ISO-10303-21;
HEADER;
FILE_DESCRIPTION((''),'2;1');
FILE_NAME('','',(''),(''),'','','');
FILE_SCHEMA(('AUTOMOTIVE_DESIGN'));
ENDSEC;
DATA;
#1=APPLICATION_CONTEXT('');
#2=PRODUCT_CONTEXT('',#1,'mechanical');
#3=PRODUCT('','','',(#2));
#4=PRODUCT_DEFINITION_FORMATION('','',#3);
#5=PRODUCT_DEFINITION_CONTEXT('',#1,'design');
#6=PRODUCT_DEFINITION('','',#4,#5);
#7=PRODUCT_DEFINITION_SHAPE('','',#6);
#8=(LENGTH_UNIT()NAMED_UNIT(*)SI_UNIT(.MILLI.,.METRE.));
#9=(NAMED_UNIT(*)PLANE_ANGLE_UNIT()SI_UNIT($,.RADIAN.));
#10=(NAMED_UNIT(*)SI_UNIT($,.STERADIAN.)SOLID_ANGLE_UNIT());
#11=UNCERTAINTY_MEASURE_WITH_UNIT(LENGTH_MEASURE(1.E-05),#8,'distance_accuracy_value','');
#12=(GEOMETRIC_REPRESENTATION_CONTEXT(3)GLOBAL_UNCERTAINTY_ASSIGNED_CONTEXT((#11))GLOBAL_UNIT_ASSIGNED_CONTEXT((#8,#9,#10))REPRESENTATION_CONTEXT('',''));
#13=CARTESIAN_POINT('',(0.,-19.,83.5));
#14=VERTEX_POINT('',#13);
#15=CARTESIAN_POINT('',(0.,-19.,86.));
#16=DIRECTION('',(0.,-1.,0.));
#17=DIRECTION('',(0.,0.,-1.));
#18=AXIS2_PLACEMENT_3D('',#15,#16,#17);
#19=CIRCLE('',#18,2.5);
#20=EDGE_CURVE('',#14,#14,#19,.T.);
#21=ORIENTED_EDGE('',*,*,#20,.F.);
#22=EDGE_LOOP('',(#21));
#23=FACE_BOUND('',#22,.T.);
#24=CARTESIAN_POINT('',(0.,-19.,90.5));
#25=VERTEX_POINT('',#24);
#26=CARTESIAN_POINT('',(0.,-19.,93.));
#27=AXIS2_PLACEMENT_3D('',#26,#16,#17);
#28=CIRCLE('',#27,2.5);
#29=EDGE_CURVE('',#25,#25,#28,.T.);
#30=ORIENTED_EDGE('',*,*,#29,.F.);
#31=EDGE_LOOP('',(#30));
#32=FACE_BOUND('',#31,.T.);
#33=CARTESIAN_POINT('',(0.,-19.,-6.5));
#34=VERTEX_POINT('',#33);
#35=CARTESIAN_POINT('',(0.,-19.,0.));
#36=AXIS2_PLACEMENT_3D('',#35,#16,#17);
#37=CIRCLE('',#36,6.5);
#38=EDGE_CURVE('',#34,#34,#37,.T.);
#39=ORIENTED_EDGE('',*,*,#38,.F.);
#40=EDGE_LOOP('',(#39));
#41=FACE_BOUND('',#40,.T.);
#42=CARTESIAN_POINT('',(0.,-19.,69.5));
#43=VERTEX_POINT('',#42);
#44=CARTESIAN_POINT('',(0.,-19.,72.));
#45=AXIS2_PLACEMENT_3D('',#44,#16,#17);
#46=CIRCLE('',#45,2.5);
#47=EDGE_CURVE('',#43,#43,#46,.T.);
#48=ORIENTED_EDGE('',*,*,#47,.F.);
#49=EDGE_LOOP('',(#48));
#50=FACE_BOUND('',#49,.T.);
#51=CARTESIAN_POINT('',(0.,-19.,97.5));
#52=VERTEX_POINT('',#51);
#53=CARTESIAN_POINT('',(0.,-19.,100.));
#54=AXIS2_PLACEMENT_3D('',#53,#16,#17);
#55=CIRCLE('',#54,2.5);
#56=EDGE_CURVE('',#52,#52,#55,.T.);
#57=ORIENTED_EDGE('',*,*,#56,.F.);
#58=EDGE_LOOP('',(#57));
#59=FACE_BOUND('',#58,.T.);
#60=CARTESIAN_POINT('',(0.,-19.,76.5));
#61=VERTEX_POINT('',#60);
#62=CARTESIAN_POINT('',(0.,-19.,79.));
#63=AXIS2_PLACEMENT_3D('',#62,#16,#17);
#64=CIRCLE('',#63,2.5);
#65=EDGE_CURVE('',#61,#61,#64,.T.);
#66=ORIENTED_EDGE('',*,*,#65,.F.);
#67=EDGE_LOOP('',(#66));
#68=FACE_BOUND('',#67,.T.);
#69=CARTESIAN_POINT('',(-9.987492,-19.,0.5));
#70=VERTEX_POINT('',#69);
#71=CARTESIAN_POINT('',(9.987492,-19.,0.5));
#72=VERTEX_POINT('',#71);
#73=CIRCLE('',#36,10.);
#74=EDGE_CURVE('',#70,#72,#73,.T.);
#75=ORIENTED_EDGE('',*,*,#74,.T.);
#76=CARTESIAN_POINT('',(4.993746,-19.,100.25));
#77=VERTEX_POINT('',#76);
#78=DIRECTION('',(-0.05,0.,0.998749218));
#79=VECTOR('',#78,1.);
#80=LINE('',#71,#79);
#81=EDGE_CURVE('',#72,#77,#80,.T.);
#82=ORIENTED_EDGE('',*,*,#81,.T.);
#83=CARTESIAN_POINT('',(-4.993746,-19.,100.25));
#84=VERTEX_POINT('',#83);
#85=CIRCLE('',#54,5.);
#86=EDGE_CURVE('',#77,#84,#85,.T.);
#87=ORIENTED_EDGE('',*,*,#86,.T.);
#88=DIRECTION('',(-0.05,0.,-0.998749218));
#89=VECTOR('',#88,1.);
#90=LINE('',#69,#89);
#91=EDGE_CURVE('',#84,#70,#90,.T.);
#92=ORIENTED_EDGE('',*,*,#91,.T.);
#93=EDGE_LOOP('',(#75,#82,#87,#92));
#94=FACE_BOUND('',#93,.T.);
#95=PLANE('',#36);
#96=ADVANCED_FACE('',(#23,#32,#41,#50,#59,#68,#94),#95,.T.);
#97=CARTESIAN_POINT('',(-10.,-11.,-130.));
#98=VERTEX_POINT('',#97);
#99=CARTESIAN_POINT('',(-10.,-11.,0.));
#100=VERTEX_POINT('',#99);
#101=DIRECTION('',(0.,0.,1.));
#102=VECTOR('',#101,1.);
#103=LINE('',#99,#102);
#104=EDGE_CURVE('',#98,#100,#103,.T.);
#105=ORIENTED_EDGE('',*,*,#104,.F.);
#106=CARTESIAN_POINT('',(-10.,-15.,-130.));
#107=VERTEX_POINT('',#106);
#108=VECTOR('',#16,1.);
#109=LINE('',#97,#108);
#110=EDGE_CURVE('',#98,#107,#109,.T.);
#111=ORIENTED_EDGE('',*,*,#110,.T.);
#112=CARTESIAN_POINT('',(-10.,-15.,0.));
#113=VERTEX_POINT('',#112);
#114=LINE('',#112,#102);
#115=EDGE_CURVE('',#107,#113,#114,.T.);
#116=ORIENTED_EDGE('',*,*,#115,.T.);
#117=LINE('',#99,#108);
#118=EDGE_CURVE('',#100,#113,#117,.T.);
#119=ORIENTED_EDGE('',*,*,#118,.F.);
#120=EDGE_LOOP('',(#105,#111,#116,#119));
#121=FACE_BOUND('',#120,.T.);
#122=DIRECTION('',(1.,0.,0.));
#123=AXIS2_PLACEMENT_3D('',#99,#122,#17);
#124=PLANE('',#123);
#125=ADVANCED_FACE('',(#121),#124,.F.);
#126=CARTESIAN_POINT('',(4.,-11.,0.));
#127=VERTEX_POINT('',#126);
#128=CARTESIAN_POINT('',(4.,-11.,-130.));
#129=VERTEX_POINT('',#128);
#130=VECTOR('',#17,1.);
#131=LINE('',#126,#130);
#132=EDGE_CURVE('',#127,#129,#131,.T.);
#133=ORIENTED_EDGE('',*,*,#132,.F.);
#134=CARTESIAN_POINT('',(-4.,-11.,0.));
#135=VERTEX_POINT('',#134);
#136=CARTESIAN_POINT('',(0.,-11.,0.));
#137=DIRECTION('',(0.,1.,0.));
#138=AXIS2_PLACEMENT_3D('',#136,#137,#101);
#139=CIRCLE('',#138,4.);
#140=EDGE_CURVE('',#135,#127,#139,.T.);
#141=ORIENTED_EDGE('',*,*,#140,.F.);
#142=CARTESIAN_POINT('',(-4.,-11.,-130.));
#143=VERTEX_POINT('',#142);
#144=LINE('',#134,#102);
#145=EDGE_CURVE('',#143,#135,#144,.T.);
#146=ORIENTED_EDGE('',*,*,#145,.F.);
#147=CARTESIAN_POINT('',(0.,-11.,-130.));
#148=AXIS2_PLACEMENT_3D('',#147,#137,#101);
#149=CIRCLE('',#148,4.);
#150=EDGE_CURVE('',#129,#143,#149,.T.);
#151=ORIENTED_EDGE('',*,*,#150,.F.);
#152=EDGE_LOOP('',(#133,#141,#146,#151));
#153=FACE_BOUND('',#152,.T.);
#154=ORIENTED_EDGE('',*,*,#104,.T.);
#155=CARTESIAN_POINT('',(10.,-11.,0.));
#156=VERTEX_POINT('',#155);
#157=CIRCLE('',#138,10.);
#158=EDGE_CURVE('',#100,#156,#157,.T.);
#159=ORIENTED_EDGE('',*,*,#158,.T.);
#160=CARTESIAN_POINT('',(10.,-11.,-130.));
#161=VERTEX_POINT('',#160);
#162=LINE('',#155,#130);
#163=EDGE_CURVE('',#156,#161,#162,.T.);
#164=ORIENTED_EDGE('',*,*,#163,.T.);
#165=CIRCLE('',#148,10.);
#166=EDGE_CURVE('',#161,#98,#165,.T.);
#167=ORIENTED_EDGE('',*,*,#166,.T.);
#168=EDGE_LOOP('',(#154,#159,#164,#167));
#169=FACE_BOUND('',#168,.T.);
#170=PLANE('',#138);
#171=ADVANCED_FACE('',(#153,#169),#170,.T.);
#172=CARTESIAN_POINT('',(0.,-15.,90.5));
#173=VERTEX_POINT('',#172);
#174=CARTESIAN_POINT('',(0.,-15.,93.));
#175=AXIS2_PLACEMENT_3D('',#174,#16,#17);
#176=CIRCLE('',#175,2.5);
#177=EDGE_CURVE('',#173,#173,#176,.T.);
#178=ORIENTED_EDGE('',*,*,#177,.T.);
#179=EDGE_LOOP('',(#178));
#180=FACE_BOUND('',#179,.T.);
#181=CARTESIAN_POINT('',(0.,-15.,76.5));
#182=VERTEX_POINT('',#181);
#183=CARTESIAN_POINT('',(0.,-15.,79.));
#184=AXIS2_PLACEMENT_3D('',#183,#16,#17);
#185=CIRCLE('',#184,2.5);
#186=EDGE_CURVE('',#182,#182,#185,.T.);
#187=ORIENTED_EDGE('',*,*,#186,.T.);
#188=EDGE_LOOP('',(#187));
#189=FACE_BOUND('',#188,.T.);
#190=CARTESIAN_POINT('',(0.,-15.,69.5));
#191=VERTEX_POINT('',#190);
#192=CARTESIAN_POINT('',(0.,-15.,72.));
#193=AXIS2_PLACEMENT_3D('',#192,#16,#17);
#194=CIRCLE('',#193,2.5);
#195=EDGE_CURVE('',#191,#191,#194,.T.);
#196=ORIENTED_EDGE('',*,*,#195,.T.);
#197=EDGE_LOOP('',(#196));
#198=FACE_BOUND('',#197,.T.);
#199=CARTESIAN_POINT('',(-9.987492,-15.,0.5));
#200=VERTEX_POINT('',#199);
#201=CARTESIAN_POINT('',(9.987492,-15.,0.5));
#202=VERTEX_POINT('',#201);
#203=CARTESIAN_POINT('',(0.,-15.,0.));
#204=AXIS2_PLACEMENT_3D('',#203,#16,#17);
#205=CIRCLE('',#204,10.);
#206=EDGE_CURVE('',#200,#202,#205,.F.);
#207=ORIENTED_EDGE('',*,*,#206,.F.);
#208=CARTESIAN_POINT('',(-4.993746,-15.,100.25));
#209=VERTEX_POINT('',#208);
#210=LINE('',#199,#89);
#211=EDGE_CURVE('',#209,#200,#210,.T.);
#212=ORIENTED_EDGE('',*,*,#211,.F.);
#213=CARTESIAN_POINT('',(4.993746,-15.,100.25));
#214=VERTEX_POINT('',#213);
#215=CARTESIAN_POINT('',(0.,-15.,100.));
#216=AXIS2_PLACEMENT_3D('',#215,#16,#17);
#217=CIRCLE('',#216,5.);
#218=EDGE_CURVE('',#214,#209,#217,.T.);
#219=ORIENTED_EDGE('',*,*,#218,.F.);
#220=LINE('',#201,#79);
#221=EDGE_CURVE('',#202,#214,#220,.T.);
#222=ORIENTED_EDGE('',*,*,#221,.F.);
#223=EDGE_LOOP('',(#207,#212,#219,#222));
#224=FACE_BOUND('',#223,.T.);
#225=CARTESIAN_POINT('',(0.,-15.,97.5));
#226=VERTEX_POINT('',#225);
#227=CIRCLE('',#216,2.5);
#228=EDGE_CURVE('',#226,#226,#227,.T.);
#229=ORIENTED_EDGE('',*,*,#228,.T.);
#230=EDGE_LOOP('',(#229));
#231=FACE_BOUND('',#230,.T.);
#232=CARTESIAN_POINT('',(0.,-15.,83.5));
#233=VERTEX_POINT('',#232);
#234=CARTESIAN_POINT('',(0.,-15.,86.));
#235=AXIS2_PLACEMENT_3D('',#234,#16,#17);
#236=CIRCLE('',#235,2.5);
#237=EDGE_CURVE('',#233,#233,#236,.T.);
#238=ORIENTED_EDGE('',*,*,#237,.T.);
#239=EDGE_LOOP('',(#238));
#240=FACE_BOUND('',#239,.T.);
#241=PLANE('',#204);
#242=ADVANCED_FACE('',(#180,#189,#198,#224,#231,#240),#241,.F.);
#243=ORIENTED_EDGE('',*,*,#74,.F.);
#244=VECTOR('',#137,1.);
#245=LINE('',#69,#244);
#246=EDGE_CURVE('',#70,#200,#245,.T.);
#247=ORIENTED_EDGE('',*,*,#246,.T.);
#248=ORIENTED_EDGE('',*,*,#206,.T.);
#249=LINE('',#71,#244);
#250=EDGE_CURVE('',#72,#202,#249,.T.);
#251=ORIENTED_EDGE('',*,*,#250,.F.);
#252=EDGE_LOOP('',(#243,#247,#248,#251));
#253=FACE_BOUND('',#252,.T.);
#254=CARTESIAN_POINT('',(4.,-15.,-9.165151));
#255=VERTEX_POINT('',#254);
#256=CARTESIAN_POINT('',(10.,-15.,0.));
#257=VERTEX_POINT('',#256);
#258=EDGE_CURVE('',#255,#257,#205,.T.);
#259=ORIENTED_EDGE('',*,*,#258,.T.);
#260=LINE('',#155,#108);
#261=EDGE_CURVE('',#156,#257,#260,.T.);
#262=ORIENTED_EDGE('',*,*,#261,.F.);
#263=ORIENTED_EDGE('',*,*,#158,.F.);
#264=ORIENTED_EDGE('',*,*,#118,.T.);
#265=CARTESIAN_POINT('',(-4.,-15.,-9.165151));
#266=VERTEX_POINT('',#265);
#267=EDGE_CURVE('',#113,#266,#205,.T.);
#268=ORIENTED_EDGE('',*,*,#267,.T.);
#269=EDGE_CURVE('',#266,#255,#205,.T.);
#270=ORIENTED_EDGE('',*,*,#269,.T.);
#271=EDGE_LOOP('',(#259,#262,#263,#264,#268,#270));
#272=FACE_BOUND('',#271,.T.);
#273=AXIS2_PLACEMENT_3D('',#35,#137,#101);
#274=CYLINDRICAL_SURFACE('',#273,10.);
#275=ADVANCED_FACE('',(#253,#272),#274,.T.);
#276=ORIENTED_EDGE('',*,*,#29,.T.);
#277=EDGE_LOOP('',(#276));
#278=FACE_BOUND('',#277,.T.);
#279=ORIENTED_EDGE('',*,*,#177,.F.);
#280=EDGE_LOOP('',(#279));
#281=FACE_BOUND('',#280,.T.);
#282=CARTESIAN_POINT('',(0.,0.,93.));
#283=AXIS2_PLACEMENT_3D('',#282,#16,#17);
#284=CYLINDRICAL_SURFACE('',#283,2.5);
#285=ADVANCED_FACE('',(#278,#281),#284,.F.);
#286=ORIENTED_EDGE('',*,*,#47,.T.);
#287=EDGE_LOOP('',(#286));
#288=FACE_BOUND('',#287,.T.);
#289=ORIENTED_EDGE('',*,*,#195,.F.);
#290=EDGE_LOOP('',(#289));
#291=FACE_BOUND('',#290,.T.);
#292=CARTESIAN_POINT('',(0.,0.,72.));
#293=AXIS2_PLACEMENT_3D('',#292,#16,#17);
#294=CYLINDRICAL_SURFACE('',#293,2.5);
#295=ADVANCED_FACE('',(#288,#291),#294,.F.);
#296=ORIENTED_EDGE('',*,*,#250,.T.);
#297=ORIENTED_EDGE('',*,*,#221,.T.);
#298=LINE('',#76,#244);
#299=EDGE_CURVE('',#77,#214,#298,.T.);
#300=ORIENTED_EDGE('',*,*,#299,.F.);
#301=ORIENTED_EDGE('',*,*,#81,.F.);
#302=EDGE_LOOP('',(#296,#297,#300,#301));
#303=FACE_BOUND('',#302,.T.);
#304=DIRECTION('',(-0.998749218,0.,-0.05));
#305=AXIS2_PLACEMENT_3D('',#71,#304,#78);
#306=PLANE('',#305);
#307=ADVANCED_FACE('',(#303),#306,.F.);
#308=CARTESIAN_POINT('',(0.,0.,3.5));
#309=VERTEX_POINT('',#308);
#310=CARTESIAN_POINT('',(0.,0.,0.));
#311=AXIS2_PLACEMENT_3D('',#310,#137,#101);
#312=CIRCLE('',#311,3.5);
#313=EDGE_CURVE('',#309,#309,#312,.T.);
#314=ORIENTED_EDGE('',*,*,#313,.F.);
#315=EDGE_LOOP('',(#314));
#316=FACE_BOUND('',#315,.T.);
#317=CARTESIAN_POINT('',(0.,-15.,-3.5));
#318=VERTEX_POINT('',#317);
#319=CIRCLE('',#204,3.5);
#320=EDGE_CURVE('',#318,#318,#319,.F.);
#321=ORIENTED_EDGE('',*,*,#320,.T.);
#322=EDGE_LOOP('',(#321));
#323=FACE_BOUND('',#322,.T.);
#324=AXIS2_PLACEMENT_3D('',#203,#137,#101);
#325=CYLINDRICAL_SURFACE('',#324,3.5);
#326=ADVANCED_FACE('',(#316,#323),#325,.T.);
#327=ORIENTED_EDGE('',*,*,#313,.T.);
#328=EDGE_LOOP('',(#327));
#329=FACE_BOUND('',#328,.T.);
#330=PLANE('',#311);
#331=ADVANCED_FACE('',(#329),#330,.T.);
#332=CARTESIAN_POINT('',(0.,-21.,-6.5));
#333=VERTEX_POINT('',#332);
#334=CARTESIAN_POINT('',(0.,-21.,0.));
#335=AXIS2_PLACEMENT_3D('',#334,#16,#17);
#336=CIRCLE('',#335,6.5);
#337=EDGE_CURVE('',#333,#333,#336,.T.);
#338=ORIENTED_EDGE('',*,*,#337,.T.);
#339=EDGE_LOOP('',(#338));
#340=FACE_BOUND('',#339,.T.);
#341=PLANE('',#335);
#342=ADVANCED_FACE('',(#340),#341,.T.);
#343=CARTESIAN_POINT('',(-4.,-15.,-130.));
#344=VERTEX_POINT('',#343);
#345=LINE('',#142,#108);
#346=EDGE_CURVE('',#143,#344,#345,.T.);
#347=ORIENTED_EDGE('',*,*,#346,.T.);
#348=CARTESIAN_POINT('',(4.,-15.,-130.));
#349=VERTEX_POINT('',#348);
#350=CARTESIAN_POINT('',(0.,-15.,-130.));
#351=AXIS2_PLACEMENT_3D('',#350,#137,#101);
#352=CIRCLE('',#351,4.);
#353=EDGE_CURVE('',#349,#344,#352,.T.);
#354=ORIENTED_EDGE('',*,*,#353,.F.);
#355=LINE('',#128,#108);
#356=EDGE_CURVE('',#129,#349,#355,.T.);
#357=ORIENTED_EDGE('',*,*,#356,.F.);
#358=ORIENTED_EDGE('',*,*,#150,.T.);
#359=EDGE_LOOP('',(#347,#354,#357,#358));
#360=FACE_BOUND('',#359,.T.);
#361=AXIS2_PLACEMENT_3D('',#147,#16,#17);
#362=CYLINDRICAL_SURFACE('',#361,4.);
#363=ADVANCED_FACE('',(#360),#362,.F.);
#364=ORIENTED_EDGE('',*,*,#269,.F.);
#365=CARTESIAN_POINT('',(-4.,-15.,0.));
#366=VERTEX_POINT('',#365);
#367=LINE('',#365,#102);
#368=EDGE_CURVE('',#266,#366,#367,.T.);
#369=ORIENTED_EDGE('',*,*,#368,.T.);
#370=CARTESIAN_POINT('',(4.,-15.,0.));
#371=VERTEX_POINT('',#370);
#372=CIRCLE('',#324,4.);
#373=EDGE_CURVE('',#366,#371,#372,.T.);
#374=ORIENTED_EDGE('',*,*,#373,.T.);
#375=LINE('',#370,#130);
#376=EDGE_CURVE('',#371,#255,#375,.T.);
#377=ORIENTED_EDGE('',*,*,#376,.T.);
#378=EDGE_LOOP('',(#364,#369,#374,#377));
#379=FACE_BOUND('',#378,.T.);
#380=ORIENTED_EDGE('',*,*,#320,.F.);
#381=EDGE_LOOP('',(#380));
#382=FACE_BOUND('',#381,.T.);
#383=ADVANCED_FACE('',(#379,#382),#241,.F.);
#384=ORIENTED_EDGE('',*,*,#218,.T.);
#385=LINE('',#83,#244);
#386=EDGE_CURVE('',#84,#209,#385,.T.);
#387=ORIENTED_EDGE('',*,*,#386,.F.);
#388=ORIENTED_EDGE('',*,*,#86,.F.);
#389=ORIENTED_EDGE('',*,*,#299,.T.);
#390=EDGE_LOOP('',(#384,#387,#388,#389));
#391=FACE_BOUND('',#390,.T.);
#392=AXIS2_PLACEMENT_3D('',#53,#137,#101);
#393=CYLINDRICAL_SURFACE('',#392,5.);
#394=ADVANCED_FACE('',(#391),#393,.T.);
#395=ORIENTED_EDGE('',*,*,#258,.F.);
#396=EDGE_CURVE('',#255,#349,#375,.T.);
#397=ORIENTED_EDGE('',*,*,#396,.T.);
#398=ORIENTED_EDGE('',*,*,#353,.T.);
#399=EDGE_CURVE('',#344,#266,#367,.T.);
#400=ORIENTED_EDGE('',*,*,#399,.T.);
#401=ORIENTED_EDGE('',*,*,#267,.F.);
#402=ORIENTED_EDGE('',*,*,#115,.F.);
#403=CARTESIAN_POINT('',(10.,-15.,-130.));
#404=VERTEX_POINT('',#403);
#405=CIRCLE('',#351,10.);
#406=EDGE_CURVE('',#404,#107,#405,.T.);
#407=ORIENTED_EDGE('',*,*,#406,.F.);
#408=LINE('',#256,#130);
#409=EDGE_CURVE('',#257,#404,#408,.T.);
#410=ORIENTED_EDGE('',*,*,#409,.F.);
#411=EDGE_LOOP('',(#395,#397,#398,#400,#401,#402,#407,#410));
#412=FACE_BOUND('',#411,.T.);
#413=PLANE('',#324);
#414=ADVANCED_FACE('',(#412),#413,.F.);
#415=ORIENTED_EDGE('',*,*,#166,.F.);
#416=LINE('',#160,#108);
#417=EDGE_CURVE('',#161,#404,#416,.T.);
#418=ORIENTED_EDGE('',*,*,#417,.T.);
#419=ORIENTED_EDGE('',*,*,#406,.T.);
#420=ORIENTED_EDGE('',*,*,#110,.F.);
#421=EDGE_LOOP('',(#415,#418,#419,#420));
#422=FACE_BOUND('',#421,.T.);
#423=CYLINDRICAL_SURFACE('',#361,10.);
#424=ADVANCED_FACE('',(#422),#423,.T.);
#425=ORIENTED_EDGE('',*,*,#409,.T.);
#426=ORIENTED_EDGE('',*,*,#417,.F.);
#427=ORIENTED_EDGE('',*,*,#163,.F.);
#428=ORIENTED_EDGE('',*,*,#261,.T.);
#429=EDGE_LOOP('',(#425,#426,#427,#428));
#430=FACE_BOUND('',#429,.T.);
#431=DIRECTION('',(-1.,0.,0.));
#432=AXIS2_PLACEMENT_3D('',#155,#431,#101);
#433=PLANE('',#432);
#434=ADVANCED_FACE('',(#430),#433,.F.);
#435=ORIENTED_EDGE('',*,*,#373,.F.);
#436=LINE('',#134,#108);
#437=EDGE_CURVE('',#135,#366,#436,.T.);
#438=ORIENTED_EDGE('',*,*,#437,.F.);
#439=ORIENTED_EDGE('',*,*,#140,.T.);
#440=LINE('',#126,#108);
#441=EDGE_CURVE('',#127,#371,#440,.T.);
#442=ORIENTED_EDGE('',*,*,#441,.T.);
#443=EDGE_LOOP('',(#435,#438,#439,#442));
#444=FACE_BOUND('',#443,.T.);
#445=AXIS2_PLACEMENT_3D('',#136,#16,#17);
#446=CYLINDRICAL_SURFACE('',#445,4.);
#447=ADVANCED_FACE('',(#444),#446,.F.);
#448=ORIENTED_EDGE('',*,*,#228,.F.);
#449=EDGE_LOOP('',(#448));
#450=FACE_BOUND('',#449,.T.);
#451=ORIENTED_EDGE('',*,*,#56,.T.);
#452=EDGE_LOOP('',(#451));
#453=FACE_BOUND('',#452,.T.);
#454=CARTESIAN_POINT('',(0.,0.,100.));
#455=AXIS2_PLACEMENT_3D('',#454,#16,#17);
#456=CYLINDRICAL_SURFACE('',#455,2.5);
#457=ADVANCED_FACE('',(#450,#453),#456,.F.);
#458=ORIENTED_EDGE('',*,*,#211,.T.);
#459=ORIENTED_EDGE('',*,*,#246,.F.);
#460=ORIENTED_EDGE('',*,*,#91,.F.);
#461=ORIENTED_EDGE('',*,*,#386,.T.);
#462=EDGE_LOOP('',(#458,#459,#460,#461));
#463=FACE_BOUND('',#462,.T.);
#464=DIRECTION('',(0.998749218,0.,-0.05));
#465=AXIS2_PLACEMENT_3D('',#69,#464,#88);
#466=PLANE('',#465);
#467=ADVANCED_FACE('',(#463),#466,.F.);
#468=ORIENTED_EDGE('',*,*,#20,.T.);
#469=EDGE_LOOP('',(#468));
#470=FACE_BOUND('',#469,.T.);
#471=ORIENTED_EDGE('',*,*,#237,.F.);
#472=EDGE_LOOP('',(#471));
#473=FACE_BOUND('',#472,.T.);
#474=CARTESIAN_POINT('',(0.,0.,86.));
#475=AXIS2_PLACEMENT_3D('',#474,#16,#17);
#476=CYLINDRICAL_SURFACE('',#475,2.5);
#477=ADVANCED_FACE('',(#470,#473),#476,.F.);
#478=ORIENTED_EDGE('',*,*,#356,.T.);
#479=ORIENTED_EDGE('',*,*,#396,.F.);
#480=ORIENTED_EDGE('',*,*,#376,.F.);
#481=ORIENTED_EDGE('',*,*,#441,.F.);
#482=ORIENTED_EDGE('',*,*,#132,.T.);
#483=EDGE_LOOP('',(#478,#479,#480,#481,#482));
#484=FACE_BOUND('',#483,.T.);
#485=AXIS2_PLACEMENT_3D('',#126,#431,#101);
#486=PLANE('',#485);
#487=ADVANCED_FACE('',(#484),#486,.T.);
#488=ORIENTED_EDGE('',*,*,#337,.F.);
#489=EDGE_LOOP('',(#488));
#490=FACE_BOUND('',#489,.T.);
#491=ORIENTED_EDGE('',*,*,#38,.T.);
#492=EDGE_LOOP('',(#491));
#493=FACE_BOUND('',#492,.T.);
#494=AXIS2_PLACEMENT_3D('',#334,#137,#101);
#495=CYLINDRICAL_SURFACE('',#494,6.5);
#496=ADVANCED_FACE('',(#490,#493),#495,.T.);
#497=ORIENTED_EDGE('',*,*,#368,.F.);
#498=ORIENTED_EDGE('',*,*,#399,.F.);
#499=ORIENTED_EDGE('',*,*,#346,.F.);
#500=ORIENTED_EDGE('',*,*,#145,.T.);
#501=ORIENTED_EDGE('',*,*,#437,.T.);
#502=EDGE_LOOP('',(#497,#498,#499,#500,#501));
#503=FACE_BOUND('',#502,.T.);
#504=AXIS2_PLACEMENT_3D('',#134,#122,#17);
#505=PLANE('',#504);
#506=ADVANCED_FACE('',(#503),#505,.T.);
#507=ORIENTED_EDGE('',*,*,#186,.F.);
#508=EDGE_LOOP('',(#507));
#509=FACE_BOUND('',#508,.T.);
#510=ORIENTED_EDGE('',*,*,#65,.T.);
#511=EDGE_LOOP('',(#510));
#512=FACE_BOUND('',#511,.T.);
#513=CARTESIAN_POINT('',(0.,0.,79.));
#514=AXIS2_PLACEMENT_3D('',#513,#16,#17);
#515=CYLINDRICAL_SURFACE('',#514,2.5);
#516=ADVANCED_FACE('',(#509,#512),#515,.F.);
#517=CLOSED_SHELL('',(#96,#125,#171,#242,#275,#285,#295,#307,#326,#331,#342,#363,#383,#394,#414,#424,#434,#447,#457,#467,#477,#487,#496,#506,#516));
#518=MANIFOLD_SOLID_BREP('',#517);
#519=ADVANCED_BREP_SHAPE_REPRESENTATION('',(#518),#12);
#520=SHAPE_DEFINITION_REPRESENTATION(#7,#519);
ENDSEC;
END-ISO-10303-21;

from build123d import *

# Parameters (mm, degrees)
SKETCH1_R           = 3.5
BOSS_EXTRUDE1_DEPTH = 15
BOSS_EXTRUDE2_DEPTH = 4
SKETCH3_R           = 2.5
CUT_EXTRUDE1_DEPTH  = 108.172757733
LPATTERN1_COUNT     = 5
LPATTERN1_PITCH     = 7
BOSS_EXTRUDE3_START = 4
BOSS_EXTRUDE3_DEPTH = 4
SKETCH5_R           = 6.5
BOSS_EXTRUDE4_DEPTH = 2


with BuildPart() as part:
    # Sketch1 → Boss-Extrude1 (new body)
    with BuildSketch(Plane(origin=(0, 0, 0), x_dir=(1, 0, 0), z_dir=(0, 1, 0))):
        with Locations(Location((0, 0, 0), (0, 0, 270))):
            Circle(SKETCH1_R)
    extrude(amount=-BOSS_EXTRUDE1_DEPTH)

    # Sketch2 → Boss-Extrude2 (add)
    with BuildSketch(Plane.XZ.offset(15)):
        with BuildLine():
            Line((9.987492178, 0.5), (4.993746089, 100.25))
            ThreePointArc((4.993746089, 100.25), (0, 105), (-4.993746089, 100.25))
            Line((-4.993746089, 100.25), (-9.987492178, 0.5))
            ThreePointArc((-9.987492178, 0.5), (0, -10), (9.987492178, 0.5))
        make_face()
    extrude(amount=BOSS_EXTRUDE2_DEPTH)

    # Sketch3 → Cut-Extrude1 (cut, through all)
    with BuildSketch(Plane.XZ.offset(19)):
        with Locations(Location((0, 100, 0), (0, 0, 270))):
            Circle(SKETCH3_R)
    cut_extrude1 = extrude(amount=-CUT_EXTRUDE1_DEPTH, mode=Mode.SUBTRACT)

    # LPattern1: Cut-Extrude1 ×5
    with Locations(*[(0, 0, -i * LPATTERN1_PITCH) for i in range(1, LPATTERN1_COUNT)]):
        add(cut_extrude1, mode=Mode.SUBTRACT)

    # Sketch4 → Boss-Extrude3 (add)
    with BuildSketch(Plane(origin=(0, -15, 0), x_dir=(1, 0, 0), z_dir=(0, 1, 0)).offset(BOSS_EXTRUDE3_START)):
        with BuildLine():
            Line((-10, 0), (-10, 130))
            ThreePointArc((-10, 130), (0, 140), (10, 130))
            Line((10, 130), (10, 0))
            ThreePointArc((10, 0), (0, -10), (-10, 0))
        make_face()
        with BuildLine():
            Line((-4, 0), (-4, 130))
            ThreePointArc((-4, 130), (0, 134), (4, 130))
            Line((4, 130), (4, 0))
            ThreePointArc((4, 0), (0, -4), (-4, 0))
        make_face(mode=Mode.SUBTRACT)
    extrude(amount=-BOSS_EXTRUDE3_DEPTH)

    # Sketch5 → Boss-Extrude4 (add)
    with BuildSketch(Plane.XZ.offset(19)):
        with Locations(Location((0, 0, 0), (0, 0, 270))):
            Circle(SKETCH5_R)
    extrude(amount=BOSS_EXTRUDE4_DEPTH)


solid = part.part
